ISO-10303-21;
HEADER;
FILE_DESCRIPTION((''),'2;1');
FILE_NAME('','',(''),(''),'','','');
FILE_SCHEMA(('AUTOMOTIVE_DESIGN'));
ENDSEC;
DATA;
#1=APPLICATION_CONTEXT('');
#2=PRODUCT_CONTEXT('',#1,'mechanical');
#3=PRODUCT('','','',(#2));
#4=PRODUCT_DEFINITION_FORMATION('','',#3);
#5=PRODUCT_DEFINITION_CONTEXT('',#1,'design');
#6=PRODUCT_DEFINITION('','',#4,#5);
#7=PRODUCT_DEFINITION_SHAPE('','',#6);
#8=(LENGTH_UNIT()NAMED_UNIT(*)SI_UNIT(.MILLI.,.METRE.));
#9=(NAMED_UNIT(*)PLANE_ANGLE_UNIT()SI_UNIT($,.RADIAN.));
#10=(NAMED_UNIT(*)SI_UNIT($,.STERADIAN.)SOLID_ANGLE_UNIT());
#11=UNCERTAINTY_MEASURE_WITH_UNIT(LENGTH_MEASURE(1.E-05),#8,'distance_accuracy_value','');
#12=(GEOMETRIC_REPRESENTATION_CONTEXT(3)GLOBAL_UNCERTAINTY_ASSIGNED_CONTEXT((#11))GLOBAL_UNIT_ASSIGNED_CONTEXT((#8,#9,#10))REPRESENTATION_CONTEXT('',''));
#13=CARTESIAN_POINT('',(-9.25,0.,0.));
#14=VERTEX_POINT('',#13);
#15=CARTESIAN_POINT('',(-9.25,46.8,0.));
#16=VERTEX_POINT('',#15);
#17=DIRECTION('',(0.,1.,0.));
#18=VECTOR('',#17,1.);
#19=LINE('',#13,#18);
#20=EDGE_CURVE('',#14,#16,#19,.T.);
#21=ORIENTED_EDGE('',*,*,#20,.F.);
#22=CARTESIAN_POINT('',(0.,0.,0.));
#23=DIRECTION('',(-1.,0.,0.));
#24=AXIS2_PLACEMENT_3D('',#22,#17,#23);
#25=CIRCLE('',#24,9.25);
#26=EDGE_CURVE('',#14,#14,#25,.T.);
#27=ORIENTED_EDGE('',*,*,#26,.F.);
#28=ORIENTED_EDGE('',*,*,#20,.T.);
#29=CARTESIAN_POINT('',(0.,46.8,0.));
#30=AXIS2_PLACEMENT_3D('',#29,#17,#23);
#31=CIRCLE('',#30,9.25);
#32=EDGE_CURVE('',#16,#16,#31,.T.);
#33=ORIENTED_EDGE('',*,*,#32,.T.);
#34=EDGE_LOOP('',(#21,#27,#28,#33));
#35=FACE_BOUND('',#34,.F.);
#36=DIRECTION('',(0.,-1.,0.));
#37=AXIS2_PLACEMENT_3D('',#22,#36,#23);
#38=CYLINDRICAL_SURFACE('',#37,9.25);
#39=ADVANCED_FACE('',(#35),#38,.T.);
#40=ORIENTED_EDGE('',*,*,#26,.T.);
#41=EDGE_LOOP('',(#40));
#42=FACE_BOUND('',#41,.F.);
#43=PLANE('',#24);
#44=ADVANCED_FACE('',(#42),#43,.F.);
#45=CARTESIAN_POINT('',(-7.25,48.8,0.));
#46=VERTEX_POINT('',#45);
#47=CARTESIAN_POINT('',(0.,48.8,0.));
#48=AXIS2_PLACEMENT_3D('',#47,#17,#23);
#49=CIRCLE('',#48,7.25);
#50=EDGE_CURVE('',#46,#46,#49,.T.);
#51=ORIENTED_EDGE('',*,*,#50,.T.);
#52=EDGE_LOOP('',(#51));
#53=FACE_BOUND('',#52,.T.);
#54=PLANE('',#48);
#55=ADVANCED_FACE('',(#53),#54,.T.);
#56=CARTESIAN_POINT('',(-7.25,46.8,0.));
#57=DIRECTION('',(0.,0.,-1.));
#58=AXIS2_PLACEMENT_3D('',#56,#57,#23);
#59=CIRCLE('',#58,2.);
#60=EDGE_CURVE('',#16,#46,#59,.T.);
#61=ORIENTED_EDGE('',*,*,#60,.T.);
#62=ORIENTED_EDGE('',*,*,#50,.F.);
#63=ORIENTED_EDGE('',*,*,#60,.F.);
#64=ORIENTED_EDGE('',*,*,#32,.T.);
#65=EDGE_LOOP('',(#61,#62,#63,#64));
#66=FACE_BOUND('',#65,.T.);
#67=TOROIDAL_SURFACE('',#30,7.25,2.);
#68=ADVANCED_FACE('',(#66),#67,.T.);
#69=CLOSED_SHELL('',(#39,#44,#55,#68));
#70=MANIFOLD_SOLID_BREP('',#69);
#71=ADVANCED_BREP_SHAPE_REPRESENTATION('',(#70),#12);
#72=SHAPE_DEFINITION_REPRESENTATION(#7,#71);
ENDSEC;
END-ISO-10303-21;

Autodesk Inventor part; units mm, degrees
ref_plane "YZ Plane" through (0, 0, 0) normal (1, 0, 0) x (0, 1, 0)
ref_plane "XZ Plane" through (0, 0, 0) normal (0, 1, 0) x (-1, 0, 0)
ref_plane "XY Plane" through (0, 0, 0) normal (0, 0, 1) x (1, 0, 0)
sketch "Sketch1" plane through (0, 0, 0) normal (0, 1, 0) x (-1, 0, 0)
  circle A0 centre (0, 0) radius 9.25
  dimension "d0" = 18.5
extrude "Extrusion1" add sketch "Sketch1" along normal blind 48.8
fillet "Fillet1" radius 2 1 edges at (9.25, 48.8, 0)
properties part number "ES Helix Antenna" material "Rubber, Silicone"
